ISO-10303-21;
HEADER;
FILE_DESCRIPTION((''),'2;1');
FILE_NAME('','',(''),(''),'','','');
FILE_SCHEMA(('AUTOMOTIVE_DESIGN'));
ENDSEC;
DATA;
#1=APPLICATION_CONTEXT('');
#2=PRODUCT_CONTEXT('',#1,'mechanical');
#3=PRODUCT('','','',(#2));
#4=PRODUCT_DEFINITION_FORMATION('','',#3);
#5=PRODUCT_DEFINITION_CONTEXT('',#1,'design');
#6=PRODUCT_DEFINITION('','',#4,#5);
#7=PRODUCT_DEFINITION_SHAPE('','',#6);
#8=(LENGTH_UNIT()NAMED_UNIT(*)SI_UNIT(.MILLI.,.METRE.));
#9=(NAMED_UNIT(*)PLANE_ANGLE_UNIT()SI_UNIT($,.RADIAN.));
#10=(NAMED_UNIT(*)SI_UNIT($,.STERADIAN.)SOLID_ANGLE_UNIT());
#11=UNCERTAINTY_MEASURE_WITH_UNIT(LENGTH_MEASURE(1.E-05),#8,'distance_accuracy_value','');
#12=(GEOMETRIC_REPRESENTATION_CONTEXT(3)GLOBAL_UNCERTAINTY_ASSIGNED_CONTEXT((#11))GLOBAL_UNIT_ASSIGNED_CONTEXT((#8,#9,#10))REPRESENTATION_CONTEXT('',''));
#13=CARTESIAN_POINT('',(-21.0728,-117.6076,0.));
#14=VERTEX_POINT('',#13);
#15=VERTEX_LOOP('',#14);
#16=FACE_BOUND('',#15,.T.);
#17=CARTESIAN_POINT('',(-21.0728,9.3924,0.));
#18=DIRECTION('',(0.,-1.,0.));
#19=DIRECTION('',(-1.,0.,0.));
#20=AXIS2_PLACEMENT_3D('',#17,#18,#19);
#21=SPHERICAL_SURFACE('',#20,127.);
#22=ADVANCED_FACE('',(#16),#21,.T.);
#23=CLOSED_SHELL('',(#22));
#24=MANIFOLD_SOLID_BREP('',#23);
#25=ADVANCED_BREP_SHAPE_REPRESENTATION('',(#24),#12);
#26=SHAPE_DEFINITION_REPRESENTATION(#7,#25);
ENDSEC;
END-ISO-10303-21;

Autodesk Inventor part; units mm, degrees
ref_plane "YZ Plane" through (0, 0, 0) normal (1, 0, 0) x (0, 1, 0)
ref_plane "XZ Plane" through (0, 0, 0) normal (0, 1, 0) x (-1, 0, 0)
ref_plane "XY Plane" through (0, 0, 0) normal (0, 0, 1) x (1, 0, 0)
sketch "Sketch1" plane through (0, 0, 0) normal (0, 0, 1) x (1, 0, 0)
  arc A0 (-21.0728, 136.3924) -> (-21.0728, -117.6076) centre (-21.0728, 9.3924) ccw
  line L0 (-21.0728, 136.3924) -> (-21.0728, -117.6076)
  dimension "d1" = 127
  dimension "d3" = 254
revolve "Revolution1" add sketch "Sketch1" angle 360 about axis through (-21.0728, 136.3924, 0) along (0, -1, 0)
properties part number "balle"
